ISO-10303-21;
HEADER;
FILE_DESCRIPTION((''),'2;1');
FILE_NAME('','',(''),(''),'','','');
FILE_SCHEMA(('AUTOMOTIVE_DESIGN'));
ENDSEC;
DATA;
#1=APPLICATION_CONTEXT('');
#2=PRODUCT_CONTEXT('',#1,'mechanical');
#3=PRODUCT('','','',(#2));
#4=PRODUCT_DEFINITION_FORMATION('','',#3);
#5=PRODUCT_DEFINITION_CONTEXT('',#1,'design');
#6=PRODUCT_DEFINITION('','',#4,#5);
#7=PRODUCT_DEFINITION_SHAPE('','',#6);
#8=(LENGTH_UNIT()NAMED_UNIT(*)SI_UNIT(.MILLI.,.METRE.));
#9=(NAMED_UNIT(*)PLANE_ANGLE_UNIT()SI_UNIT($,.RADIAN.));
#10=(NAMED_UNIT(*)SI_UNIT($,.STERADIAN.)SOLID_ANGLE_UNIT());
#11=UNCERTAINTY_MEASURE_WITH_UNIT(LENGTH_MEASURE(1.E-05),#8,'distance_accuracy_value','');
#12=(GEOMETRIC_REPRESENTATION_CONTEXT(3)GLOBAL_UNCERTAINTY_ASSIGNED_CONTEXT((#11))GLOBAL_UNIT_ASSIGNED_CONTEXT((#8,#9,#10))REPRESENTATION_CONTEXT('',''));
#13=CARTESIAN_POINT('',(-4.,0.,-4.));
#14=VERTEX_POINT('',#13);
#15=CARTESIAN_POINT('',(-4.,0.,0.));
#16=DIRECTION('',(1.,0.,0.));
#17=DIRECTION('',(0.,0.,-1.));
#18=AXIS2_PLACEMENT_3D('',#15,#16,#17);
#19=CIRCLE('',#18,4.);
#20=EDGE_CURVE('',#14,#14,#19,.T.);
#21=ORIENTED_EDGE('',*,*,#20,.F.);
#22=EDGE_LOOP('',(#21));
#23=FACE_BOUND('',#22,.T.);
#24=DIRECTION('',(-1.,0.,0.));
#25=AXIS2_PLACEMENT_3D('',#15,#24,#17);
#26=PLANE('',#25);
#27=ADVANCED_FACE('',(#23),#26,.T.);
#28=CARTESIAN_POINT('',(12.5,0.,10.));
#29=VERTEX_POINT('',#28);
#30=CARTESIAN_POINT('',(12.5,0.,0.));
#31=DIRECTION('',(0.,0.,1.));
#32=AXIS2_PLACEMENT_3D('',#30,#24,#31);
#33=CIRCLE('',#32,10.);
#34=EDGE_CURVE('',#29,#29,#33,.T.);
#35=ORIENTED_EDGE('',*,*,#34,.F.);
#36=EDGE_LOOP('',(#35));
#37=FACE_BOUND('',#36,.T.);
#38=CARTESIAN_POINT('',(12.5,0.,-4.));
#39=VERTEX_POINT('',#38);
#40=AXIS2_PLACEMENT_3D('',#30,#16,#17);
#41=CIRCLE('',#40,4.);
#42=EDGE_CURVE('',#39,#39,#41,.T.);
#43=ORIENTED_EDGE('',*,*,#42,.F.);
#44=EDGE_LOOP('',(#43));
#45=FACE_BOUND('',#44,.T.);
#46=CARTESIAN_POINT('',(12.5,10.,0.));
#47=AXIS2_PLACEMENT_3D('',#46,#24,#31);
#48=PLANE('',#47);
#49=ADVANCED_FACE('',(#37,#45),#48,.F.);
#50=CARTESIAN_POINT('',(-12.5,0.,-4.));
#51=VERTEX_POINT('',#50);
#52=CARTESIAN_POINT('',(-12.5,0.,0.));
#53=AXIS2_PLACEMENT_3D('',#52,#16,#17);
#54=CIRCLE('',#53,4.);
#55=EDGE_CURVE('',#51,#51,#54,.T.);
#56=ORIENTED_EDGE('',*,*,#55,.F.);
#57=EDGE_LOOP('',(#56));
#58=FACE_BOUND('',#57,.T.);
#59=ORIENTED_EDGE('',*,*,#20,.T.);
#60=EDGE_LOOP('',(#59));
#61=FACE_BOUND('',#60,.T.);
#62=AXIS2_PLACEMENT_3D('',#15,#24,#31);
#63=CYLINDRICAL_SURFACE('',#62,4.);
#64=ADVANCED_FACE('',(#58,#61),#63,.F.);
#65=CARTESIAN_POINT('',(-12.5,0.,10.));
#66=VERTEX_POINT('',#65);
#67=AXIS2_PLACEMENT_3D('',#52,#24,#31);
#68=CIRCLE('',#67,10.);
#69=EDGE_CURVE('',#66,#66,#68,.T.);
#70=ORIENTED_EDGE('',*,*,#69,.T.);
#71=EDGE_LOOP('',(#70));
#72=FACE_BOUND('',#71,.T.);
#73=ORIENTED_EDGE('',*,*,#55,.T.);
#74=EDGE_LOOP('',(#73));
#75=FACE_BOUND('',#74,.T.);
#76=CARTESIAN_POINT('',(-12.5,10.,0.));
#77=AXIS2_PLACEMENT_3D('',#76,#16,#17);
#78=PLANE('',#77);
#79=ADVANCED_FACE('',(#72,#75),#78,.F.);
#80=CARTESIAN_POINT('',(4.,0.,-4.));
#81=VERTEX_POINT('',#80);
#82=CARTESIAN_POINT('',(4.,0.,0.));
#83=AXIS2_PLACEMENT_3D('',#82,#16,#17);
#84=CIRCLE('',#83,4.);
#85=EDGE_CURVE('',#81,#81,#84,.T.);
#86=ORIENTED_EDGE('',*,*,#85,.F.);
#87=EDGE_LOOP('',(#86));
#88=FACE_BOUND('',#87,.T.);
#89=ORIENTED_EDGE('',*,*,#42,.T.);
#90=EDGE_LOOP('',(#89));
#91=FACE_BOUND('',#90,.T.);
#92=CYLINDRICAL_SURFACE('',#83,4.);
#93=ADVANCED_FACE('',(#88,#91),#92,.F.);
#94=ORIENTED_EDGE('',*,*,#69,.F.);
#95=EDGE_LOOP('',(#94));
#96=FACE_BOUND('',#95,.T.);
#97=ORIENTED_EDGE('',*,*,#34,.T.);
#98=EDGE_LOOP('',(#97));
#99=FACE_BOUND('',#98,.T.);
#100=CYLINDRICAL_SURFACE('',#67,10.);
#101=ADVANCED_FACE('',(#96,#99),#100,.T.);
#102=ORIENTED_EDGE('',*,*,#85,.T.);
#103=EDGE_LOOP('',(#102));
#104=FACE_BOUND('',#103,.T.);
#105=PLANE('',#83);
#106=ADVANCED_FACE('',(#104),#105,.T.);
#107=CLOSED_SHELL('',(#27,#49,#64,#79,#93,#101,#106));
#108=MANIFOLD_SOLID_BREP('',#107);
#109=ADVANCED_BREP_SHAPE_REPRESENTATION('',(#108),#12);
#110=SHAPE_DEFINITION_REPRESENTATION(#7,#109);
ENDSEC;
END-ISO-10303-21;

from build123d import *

# Parameters (mm, degrees)
SKETCH_1_W          = 25
SKETCH_1_H          = 10
SKETCH_2_R          = 4
CUT_EXTRUDE_1_DEPTH = 8.5


with BuildPart() as part:
    # 草图1 → 旋转1 (revolve)
    with BuildSketch(Plane.XY, mode=Mode.PRIVATE) as revolve_1_sk:
        with Locations((0, 5)):
            Rectangle(SKETCH_1_W, SKETCH_1_H)
    revolve(revolve_1_sk.sketch.rotate(Axis((-12.5, 0, 0), (1, 0, 0)), 90), axis=Axis((-12.5, 0, 0), (1, 0, 0)))

    # 草图2 → 切除-拉伸1 (cut)
    with BuildSketch(Plane(origin=(12.5, 0, 0), x_dir=(0, 0, -1), z_dir=(1, 0, 0))):
        Circle(SKETCH_2_R)
    cut_extrude_1 = extrude(amount=-CUT_EXTRUDE_1_DEPTH, mode=Mode.SUBTRACT)

    # 镜向1: 切除-拉伸1 across plane
    add(cut_extrude_1.mirror(Plane(origin=(0, 0, 0), x_dir=(0, 0, 1), z_dir=(1, 0, 0))), mode=Mode.SUBTRACT)


solid = part.part
